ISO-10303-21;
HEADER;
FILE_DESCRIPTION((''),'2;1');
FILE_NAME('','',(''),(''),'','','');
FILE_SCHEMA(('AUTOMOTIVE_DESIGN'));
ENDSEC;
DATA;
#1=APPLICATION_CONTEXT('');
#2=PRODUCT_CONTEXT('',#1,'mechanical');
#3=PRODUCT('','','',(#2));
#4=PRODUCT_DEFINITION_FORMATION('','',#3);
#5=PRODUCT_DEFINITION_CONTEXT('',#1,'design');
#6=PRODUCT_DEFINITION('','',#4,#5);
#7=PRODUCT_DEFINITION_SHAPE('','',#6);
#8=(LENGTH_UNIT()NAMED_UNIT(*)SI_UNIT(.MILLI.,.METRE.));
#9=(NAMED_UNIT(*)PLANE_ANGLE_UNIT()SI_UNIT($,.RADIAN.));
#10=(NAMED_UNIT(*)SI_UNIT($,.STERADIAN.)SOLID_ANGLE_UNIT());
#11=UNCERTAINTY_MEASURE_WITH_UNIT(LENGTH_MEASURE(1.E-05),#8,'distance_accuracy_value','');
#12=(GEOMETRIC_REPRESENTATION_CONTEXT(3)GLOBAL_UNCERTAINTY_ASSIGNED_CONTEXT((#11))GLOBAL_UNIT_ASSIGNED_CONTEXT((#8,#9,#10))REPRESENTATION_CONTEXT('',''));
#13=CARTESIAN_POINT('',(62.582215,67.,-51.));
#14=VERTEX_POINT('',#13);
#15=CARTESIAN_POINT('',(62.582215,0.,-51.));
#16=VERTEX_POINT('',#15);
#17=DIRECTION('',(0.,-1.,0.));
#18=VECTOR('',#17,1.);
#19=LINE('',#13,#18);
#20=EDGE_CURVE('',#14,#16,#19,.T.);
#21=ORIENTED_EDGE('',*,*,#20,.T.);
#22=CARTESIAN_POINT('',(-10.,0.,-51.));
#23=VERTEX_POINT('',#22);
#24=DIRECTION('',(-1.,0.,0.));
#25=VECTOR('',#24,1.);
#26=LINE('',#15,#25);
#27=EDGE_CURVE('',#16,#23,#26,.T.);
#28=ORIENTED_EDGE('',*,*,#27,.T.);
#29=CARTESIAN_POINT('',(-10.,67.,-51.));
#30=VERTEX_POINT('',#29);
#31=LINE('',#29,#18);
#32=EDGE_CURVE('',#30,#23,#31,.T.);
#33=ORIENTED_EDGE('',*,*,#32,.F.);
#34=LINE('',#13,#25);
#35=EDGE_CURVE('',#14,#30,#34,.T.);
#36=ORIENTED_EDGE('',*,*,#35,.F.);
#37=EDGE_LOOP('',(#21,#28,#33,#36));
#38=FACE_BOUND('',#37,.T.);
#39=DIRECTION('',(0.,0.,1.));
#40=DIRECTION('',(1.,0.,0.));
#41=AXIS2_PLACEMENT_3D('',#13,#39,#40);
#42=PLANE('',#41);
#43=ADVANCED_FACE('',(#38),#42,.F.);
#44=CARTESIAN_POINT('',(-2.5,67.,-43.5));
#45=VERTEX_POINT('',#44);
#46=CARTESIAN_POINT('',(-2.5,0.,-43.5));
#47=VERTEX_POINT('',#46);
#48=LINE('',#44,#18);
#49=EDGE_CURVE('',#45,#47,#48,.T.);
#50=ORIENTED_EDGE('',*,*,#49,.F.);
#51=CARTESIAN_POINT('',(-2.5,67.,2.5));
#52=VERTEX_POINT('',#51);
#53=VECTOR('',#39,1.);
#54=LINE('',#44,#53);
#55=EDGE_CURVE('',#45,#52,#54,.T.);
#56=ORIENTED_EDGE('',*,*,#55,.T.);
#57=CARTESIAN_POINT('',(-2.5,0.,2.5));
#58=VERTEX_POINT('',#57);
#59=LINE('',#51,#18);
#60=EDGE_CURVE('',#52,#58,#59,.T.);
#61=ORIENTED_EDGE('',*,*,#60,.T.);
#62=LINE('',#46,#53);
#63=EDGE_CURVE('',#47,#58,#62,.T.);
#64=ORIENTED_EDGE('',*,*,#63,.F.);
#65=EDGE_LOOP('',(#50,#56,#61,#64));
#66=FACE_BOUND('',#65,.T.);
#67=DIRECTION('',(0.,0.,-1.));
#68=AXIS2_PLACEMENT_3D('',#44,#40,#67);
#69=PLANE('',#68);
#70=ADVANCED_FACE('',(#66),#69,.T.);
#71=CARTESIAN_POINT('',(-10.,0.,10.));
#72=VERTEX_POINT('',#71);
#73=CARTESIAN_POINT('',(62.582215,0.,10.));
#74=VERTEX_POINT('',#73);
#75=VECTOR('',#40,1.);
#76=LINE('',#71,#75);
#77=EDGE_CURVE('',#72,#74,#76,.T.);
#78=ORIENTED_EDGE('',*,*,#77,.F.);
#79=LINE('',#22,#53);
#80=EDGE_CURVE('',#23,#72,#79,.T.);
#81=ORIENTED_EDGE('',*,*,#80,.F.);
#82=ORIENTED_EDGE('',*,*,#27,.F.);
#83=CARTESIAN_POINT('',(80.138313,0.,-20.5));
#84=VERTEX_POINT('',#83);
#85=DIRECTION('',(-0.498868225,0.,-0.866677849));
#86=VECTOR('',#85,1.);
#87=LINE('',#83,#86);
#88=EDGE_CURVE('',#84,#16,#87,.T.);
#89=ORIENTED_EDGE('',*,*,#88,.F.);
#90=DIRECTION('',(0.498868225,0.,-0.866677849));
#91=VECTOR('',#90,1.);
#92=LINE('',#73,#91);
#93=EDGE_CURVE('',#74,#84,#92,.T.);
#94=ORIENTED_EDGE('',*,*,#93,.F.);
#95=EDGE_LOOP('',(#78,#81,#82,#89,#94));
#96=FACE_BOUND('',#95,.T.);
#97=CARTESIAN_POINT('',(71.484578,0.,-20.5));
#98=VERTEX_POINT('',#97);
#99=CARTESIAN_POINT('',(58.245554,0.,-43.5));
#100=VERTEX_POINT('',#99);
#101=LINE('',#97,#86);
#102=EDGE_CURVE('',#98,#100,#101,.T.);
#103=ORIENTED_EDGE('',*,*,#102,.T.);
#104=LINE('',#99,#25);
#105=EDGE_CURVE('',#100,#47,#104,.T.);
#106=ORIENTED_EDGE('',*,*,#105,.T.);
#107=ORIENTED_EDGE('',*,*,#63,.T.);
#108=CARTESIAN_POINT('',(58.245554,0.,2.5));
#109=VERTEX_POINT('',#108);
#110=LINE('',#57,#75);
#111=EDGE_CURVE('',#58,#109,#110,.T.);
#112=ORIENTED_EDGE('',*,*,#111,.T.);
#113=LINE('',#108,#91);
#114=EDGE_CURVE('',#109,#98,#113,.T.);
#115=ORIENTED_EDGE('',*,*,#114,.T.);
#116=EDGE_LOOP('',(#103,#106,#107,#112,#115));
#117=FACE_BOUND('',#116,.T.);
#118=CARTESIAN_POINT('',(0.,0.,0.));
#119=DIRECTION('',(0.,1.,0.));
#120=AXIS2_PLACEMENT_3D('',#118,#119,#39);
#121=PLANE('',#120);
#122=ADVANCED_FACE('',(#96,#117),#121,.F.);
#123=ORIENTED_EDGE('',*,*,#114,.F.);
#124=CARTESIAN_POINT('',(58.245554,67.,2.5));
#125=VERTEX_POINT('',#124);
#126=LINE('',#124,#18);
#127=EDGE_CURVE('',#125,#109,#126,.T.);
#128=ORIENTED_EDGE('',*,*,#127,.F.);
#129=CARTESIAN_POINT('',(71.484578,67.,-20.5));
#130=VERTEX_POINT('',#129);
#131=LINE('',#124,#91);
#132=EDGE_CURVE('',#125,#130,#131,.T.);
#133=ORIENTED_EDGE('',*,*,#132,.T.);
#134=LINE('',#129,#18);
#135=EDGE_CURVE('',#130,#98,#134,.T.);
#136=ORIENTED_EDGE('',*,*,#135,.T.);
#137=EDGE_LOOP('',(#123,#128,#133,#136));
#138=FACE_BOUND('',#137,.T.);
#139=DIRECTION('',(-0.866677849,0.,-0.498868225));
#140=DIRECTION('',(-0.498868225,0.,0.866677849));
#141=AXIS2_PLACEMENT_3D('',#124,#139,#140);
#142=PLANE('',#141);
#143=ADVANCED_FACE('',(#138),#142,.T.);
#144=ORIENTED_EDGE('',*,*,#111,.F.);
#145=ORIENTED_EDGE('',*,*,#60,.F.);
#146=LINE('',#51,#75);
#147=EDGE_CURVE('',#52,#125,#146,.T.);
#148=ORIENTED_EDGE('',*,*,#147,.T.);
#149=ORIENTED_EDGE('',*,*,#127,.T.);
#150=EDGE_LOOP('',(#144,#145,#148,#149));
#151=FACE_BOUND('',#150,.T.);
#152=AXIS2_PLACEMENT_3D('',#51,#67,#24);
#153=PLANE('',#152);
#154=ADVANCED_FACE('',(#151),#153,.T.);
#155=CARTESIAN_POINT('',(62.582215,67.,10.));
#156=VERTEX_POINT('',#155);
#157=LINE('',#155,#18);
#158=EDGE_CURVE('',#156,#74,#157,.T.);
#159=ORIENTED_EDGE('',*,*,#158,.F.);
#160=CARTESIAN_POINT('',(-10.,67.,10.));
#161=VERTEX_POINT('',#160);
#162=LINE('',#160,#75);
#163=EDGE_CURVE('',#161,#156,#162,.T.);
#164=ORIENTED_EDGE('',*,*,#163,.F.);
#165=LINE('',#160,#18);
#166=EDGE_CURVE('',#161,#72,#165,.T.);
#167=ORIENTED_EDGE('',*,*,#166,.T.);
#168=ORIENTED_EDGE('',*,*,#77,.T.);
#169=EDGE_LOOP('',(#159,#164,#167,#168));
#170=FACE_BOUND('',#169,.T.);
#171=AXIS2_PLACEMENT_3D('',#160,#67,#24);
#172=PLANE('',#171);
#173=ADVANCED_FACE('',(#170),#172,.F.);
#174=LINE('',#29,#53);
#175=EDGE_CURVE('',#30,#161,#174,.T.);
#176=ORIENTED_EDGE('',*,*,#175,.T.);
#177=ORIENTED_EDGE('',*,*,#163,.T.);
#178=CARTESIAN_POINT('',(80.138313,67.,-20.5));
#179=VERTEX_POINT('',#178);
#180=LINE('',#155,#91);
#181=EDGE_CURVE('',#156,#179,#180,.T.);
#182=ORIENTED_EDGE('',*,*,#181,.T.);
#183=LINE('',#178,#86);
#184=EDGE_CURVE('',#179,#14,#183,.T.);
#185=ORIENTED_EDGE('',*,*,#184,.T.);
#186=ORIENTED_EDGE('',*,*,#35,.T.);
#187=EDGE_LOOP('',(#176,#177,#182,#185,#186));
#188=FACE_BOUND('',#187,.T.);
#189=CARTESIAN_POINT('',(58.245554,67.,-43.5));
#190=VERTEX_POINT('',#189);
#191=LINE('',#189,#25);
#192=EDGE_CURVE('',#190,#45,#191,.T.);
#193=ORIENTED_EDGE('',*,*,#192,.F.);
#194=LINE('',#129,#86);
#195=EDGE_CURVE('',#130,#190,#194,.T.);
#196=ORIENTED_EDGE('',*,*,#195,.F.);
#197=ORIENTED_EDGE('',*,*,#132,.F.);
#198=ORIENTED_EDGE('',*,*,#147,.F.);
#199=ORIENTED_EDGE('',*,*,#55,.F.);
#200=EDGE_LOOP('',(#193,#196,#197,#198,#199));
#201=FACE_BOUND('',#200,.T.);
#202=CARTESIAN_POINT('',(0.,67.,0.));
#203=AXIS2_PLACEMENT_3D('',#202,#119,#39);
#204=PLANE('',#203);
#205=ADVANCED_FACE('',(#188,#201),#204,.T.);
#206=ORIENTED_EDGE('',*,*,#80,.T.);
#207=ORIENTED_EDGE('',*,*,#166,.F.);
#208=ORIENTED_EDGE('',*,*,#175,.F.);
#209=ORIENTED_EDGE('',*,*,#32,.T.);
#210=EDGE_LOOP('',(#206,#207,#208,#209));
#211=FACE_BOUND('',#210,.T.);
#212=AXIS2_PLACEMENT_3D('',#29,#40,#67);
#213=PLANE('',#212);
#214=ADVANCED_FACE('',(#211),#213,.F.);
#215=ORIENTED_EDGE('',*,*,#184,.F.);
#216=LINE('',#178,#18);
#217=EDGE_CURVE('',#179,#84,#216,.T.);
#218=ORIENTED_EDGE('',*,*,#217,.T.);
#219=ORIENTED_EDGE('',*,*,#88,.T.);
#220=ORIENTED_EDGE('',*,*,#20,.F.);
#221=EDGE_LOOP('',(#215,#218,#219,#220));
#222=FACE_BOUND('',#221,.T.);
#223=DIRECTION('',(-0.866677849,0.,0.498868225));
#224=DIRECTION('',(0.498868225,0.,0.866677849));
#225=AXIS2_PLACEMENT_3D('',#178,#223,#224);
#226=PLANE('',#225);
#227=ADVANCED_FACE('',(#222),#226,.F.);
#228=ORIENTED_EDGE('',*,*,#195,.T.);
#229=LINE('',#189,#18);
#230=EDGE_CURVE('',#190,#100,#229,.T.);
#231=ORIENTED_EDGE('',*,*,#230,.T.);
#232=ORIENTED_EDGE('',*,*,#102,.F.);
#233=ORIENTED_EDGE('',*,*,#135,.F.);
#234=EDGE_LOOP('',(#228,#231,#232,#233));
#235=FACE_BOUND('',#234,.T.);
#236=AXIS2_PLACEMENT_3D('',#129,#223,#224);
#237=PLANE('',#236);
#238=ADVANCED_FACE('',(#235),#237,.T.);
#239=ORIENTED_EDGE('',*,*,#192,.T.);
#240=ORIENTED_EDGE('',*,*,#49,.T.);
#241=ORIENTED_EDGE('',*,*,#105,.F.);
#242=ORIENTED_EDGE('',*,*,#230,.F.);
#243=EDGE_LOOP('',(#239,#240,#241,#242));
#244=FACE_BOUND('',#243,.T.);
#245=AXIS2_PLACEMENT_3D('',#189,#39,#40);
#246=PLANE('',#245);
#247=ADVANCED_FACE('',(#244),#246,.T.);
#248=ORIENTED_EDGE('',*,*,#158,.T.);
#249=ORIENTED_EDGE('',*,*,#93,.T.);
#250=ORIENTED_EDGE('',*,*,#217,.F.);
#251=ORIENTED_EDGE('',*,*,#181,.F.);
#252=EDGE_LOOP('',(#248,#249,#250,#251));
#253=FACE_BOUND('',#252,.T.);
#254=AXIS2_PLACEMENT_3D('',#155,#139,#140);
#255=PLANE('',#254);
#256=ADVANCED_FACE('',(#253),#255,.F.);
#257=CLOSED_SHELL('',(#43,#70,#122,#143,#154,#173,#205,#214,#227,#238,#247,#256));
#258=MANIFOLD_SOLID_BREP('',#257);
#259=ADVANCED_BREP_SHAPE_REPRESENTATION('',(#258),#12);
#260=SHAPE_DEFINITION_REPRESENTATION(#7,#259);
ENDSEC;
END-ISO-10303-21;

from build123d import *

# Parameters (mm, degrees)
BOSS_EXTRUDE1_DEPTH = 67


with BuildPart() as part:
    # Sketch2 → Boss-Extrude1 (new body)
    with BuildSketch(Plane(origin=(0, 0, 0), x_dir=(1, 0, 0), z_dir=(0, 1, 0))):
        Polygon((62.582215103, 51), (-10, 51), (-10, -10), (62.582215103, -10), (80.138312664, 20.5), align=None)
        Polygon((-2.5, 43.5), (-2.5, -2.5), (58.245553776, -2.5), (71.484578166, 20.5), (58.245553776, 43.5), align=None, mode=Mode.SUBTRACT)
    extrude(amount=BOSS_EXTRUDE1_DEPTH)


solid = part.part
